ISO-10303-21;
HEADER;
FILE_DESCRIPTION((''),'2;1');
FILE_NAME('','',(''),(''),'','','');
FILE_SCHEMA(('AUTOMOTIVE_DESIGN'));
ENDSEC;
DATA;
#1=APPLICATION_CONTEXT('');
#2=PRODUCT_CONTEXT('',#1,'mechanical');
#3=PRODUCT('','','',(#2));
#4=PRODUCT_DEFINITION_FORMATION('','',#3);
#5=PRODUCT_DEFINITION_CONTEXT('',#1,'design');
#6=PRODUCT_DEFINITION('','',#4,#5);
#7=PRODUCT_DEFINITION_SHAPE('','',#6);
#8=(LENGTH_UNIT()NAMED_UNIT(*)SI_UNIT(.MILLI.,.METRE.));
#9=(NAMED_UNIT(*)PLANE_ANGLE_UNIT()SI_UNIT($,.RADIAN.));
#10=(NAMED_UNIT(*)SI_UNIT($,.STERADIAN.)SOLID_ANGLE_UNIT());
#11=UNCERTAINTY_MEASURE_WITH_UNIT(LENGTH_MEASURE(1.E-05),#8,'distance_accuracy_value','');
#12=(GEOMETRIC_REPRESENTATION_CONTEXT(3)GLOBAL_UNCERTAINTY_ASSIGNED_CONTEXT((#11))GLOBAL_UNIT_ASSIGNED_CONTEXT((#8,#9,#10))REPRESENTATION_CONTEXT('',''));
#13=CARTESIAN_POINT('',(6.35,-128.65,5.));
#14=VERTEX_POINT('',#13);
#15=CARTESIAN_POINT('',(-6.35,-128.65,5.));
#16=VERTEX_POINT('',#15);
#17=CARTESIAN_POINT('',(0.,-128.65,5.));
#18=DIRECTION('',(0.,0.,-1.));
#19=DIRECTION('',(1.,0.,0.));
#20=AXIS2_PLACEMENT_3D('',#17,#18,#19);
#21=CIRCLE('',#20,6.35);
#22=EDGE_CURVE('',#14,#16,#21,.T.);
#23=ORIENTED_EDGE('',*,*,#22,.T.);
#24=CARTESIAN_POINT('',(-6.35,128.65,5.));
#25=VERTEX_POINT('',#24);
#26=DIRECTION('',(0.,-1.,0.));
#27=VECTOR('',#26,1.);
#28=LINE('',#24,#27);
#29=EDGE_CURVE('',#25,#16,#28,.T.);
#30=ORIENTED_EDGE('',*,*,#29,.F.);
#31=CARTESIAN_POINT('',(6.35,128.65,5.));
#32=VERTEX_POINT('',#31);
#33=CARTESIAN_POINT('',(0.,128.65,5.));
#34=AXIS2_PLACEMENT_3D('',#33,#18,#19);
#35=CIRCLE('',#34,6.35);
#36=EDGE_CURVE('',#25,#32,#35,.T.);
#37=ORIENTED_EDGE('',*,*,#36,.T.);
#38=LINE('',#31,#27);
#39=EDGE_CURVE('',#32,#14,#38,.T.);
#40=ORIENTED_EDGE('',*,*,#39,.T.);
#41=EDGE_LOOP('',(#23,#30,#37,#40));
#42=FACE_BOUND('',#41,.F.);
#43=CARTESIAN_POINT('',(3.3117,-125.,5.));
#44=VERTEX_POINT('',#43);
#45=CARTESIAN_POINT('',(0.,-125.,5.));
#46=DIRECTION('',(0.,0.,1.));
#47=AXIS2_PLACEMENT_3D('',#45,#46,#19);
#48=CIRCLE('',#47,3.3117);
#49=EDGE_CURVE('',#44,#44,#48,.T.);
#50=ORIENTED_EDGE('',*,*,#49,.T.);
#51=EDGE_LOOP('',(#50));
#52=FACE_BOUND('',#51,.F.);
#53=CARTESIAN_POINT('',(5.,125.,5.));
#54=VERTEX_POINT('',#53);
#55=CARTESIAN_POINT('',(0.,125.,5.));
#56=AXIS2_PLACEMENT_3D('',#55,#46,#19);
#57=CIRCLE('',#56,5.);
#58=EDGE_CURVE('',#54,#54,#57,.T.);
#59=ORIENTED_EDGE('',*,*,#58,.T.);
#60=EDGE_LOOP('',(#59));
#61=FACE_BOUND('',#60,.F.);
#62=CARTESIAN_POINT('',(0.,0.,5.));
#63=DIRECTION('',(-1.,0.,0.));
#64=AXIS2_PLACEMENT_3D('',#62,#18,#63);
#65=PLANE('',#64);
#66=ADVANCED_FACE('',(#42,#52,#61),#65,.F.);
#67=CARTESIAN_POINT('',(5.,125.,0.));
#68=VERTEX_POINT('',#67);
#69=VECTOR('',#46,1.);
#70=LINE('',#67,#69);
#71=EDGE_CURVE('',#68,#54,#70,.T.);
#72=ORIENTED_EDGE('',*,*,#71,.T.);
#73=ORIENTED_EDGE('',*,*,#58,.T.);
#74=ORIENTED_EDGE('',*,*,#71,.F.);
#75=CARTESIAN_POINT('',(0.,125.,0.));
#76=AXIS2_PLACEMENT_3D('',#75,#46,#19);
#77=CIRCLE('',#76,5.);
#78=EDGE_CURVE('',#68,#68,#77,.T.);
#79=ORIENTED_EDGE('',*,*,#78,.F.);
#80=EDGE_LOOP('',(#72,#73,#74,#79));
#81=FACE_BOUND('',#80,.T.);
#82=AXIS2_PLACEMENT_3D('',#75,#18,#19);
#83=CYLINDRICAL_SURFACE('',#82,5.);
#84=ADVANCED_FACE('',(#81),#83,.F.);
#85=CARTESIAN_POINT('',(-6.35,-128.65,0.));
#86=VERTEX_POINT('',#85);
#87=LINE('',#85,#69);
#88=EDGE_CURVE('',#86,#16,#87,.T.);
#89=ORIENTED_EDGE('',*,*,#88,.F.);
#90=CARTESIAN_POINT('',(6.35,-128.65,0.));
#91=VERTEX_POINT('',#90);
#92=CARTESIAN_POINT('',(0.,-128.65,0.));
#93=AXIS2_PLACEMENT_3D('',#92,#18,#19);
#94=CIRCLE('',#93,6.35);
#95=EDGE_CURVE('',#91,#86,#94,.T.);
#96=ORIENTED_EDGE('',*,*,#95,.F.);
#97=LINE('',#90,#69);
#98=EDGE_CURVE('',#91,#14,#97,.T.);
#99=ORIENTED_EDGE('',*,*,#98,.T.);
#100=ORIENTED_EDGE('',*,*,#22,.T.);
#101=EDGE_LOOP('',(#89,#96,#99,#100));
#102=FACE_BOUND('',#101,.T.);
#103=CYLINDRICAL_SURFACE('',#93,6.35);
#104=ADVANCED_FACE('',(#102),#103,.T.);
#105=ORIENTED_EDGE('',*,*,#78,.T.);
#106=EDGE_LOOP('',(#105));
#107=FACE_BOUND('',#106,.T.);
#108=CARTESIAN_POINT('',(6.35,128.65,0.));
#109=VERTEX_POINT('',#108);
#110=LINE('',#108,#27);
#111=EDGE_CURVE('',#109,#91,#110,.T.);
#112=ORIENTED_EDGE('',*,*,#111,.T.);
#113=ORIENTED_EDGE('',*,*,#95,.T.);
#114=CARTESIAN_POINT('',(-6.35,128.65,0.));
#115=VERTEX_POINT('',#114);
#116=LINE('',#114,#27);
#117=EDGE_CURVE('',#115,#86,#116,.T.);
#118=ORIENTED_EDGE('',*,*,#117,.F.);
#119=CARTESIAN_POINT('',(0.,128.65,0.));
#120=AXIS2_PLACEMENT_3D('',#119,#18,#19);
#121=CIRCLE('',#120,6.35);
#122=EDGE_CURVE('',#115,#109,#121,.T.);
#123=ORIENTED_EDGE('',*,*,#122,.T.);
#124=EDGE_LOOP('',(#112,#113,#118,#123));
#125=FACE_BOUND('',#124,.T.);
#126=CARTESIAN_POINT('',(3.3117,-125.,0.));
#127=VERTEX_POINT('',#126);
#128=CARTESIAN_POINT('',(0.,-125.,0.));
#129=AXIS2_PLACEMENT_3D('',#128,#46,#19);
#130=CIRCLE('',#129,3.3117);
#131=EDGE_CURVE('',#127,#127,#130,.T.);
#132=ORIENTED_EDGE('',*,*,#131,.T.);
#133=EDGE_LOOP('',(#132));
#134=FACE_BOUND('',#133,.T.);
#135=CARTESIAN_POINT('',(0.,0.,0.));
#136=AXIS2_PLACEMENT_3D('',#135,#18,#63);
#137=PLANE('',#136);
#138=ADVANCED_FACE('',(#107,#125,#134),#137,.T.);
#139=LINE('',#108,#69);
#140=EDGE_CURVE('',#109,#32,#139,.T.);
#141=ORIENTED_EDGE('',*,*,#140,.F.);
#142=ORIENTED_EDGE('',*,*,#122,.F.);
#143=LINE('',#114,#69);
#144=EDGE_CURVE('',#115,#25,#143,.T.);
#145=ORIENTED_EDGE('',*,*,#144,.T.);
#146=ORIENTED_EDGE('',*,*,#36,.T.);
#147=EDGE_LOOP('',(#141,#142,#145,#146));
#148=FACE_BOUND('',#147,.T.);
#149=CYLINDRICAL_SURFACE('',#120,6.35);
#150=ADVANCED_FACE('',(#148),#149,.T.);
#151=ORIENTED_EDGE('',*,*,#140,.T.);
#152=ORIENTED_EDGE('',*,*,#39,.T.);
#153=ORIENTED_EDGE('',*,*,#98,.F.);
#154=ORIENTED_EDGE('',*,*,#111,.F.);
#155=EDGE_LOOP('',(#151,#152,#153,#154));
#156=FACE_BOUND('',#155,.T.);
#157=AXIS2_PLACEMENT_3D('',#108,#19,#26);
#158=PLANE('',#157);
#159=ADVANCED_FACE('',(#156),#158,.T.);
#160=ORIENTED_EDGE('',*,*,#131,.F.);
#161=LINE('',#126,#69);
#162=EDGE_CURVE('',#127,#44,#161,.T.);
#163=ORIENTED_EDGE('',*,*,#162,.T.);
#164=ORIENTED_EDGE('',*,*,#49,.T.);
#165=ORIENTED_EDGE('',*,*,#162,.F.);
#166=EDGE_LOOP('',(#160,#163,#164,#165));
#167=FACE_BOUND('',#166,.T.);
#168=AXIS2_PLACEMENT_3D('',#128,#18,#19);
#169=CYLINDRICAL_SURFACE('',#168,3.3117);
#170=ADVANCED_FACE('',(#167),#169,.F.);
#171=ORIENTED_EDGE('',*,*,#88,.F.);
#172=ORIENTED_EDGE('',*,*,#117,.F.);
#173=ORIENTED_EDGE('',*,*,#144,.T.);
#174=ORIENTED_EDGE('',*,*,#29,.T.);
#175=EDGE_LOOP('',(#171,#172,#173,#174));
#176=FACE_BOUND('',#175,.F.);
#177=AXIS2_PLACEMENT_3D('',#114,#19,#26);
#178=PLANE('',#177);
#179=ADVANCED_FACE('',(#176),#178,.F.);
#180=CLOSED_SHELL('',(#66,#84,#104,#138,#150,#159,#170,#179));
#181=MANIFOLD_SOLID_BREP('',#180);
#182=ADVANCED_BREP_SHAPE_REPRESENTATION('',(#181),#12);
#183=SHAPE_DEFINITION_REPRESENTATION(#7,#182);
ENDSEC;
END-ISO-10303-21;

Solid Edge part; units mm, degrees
sketch "Sketch1" plane through (0, 0, 0) normal (0, 0, 1) x (1, 0, 0)
  line L0 (6.35, 128.65) -> (6.35, -128.65)
  arc A0 (-6.35, 128.65) -> (6.35, 128.65) centre (0, 128.65) cw
  line L1 (-6.35, 128.65) -> (-6.35, -128.65)
  arc A1 (6.35, -128.65) -> (-6.35, -128.65) centre (0, -128.65) cw
  circle A2 centre (0, 125) radius 5
  circle A3 centre (0, -125) radius 3.3117
  dimension "D1" = 250
  dimension "D2" = 270
  dimension "D3" = 10
extrude "Protrusion1" add sketch "Sketch1" along normal blind 5
properties material "Fe 360 B UNI 7070"
